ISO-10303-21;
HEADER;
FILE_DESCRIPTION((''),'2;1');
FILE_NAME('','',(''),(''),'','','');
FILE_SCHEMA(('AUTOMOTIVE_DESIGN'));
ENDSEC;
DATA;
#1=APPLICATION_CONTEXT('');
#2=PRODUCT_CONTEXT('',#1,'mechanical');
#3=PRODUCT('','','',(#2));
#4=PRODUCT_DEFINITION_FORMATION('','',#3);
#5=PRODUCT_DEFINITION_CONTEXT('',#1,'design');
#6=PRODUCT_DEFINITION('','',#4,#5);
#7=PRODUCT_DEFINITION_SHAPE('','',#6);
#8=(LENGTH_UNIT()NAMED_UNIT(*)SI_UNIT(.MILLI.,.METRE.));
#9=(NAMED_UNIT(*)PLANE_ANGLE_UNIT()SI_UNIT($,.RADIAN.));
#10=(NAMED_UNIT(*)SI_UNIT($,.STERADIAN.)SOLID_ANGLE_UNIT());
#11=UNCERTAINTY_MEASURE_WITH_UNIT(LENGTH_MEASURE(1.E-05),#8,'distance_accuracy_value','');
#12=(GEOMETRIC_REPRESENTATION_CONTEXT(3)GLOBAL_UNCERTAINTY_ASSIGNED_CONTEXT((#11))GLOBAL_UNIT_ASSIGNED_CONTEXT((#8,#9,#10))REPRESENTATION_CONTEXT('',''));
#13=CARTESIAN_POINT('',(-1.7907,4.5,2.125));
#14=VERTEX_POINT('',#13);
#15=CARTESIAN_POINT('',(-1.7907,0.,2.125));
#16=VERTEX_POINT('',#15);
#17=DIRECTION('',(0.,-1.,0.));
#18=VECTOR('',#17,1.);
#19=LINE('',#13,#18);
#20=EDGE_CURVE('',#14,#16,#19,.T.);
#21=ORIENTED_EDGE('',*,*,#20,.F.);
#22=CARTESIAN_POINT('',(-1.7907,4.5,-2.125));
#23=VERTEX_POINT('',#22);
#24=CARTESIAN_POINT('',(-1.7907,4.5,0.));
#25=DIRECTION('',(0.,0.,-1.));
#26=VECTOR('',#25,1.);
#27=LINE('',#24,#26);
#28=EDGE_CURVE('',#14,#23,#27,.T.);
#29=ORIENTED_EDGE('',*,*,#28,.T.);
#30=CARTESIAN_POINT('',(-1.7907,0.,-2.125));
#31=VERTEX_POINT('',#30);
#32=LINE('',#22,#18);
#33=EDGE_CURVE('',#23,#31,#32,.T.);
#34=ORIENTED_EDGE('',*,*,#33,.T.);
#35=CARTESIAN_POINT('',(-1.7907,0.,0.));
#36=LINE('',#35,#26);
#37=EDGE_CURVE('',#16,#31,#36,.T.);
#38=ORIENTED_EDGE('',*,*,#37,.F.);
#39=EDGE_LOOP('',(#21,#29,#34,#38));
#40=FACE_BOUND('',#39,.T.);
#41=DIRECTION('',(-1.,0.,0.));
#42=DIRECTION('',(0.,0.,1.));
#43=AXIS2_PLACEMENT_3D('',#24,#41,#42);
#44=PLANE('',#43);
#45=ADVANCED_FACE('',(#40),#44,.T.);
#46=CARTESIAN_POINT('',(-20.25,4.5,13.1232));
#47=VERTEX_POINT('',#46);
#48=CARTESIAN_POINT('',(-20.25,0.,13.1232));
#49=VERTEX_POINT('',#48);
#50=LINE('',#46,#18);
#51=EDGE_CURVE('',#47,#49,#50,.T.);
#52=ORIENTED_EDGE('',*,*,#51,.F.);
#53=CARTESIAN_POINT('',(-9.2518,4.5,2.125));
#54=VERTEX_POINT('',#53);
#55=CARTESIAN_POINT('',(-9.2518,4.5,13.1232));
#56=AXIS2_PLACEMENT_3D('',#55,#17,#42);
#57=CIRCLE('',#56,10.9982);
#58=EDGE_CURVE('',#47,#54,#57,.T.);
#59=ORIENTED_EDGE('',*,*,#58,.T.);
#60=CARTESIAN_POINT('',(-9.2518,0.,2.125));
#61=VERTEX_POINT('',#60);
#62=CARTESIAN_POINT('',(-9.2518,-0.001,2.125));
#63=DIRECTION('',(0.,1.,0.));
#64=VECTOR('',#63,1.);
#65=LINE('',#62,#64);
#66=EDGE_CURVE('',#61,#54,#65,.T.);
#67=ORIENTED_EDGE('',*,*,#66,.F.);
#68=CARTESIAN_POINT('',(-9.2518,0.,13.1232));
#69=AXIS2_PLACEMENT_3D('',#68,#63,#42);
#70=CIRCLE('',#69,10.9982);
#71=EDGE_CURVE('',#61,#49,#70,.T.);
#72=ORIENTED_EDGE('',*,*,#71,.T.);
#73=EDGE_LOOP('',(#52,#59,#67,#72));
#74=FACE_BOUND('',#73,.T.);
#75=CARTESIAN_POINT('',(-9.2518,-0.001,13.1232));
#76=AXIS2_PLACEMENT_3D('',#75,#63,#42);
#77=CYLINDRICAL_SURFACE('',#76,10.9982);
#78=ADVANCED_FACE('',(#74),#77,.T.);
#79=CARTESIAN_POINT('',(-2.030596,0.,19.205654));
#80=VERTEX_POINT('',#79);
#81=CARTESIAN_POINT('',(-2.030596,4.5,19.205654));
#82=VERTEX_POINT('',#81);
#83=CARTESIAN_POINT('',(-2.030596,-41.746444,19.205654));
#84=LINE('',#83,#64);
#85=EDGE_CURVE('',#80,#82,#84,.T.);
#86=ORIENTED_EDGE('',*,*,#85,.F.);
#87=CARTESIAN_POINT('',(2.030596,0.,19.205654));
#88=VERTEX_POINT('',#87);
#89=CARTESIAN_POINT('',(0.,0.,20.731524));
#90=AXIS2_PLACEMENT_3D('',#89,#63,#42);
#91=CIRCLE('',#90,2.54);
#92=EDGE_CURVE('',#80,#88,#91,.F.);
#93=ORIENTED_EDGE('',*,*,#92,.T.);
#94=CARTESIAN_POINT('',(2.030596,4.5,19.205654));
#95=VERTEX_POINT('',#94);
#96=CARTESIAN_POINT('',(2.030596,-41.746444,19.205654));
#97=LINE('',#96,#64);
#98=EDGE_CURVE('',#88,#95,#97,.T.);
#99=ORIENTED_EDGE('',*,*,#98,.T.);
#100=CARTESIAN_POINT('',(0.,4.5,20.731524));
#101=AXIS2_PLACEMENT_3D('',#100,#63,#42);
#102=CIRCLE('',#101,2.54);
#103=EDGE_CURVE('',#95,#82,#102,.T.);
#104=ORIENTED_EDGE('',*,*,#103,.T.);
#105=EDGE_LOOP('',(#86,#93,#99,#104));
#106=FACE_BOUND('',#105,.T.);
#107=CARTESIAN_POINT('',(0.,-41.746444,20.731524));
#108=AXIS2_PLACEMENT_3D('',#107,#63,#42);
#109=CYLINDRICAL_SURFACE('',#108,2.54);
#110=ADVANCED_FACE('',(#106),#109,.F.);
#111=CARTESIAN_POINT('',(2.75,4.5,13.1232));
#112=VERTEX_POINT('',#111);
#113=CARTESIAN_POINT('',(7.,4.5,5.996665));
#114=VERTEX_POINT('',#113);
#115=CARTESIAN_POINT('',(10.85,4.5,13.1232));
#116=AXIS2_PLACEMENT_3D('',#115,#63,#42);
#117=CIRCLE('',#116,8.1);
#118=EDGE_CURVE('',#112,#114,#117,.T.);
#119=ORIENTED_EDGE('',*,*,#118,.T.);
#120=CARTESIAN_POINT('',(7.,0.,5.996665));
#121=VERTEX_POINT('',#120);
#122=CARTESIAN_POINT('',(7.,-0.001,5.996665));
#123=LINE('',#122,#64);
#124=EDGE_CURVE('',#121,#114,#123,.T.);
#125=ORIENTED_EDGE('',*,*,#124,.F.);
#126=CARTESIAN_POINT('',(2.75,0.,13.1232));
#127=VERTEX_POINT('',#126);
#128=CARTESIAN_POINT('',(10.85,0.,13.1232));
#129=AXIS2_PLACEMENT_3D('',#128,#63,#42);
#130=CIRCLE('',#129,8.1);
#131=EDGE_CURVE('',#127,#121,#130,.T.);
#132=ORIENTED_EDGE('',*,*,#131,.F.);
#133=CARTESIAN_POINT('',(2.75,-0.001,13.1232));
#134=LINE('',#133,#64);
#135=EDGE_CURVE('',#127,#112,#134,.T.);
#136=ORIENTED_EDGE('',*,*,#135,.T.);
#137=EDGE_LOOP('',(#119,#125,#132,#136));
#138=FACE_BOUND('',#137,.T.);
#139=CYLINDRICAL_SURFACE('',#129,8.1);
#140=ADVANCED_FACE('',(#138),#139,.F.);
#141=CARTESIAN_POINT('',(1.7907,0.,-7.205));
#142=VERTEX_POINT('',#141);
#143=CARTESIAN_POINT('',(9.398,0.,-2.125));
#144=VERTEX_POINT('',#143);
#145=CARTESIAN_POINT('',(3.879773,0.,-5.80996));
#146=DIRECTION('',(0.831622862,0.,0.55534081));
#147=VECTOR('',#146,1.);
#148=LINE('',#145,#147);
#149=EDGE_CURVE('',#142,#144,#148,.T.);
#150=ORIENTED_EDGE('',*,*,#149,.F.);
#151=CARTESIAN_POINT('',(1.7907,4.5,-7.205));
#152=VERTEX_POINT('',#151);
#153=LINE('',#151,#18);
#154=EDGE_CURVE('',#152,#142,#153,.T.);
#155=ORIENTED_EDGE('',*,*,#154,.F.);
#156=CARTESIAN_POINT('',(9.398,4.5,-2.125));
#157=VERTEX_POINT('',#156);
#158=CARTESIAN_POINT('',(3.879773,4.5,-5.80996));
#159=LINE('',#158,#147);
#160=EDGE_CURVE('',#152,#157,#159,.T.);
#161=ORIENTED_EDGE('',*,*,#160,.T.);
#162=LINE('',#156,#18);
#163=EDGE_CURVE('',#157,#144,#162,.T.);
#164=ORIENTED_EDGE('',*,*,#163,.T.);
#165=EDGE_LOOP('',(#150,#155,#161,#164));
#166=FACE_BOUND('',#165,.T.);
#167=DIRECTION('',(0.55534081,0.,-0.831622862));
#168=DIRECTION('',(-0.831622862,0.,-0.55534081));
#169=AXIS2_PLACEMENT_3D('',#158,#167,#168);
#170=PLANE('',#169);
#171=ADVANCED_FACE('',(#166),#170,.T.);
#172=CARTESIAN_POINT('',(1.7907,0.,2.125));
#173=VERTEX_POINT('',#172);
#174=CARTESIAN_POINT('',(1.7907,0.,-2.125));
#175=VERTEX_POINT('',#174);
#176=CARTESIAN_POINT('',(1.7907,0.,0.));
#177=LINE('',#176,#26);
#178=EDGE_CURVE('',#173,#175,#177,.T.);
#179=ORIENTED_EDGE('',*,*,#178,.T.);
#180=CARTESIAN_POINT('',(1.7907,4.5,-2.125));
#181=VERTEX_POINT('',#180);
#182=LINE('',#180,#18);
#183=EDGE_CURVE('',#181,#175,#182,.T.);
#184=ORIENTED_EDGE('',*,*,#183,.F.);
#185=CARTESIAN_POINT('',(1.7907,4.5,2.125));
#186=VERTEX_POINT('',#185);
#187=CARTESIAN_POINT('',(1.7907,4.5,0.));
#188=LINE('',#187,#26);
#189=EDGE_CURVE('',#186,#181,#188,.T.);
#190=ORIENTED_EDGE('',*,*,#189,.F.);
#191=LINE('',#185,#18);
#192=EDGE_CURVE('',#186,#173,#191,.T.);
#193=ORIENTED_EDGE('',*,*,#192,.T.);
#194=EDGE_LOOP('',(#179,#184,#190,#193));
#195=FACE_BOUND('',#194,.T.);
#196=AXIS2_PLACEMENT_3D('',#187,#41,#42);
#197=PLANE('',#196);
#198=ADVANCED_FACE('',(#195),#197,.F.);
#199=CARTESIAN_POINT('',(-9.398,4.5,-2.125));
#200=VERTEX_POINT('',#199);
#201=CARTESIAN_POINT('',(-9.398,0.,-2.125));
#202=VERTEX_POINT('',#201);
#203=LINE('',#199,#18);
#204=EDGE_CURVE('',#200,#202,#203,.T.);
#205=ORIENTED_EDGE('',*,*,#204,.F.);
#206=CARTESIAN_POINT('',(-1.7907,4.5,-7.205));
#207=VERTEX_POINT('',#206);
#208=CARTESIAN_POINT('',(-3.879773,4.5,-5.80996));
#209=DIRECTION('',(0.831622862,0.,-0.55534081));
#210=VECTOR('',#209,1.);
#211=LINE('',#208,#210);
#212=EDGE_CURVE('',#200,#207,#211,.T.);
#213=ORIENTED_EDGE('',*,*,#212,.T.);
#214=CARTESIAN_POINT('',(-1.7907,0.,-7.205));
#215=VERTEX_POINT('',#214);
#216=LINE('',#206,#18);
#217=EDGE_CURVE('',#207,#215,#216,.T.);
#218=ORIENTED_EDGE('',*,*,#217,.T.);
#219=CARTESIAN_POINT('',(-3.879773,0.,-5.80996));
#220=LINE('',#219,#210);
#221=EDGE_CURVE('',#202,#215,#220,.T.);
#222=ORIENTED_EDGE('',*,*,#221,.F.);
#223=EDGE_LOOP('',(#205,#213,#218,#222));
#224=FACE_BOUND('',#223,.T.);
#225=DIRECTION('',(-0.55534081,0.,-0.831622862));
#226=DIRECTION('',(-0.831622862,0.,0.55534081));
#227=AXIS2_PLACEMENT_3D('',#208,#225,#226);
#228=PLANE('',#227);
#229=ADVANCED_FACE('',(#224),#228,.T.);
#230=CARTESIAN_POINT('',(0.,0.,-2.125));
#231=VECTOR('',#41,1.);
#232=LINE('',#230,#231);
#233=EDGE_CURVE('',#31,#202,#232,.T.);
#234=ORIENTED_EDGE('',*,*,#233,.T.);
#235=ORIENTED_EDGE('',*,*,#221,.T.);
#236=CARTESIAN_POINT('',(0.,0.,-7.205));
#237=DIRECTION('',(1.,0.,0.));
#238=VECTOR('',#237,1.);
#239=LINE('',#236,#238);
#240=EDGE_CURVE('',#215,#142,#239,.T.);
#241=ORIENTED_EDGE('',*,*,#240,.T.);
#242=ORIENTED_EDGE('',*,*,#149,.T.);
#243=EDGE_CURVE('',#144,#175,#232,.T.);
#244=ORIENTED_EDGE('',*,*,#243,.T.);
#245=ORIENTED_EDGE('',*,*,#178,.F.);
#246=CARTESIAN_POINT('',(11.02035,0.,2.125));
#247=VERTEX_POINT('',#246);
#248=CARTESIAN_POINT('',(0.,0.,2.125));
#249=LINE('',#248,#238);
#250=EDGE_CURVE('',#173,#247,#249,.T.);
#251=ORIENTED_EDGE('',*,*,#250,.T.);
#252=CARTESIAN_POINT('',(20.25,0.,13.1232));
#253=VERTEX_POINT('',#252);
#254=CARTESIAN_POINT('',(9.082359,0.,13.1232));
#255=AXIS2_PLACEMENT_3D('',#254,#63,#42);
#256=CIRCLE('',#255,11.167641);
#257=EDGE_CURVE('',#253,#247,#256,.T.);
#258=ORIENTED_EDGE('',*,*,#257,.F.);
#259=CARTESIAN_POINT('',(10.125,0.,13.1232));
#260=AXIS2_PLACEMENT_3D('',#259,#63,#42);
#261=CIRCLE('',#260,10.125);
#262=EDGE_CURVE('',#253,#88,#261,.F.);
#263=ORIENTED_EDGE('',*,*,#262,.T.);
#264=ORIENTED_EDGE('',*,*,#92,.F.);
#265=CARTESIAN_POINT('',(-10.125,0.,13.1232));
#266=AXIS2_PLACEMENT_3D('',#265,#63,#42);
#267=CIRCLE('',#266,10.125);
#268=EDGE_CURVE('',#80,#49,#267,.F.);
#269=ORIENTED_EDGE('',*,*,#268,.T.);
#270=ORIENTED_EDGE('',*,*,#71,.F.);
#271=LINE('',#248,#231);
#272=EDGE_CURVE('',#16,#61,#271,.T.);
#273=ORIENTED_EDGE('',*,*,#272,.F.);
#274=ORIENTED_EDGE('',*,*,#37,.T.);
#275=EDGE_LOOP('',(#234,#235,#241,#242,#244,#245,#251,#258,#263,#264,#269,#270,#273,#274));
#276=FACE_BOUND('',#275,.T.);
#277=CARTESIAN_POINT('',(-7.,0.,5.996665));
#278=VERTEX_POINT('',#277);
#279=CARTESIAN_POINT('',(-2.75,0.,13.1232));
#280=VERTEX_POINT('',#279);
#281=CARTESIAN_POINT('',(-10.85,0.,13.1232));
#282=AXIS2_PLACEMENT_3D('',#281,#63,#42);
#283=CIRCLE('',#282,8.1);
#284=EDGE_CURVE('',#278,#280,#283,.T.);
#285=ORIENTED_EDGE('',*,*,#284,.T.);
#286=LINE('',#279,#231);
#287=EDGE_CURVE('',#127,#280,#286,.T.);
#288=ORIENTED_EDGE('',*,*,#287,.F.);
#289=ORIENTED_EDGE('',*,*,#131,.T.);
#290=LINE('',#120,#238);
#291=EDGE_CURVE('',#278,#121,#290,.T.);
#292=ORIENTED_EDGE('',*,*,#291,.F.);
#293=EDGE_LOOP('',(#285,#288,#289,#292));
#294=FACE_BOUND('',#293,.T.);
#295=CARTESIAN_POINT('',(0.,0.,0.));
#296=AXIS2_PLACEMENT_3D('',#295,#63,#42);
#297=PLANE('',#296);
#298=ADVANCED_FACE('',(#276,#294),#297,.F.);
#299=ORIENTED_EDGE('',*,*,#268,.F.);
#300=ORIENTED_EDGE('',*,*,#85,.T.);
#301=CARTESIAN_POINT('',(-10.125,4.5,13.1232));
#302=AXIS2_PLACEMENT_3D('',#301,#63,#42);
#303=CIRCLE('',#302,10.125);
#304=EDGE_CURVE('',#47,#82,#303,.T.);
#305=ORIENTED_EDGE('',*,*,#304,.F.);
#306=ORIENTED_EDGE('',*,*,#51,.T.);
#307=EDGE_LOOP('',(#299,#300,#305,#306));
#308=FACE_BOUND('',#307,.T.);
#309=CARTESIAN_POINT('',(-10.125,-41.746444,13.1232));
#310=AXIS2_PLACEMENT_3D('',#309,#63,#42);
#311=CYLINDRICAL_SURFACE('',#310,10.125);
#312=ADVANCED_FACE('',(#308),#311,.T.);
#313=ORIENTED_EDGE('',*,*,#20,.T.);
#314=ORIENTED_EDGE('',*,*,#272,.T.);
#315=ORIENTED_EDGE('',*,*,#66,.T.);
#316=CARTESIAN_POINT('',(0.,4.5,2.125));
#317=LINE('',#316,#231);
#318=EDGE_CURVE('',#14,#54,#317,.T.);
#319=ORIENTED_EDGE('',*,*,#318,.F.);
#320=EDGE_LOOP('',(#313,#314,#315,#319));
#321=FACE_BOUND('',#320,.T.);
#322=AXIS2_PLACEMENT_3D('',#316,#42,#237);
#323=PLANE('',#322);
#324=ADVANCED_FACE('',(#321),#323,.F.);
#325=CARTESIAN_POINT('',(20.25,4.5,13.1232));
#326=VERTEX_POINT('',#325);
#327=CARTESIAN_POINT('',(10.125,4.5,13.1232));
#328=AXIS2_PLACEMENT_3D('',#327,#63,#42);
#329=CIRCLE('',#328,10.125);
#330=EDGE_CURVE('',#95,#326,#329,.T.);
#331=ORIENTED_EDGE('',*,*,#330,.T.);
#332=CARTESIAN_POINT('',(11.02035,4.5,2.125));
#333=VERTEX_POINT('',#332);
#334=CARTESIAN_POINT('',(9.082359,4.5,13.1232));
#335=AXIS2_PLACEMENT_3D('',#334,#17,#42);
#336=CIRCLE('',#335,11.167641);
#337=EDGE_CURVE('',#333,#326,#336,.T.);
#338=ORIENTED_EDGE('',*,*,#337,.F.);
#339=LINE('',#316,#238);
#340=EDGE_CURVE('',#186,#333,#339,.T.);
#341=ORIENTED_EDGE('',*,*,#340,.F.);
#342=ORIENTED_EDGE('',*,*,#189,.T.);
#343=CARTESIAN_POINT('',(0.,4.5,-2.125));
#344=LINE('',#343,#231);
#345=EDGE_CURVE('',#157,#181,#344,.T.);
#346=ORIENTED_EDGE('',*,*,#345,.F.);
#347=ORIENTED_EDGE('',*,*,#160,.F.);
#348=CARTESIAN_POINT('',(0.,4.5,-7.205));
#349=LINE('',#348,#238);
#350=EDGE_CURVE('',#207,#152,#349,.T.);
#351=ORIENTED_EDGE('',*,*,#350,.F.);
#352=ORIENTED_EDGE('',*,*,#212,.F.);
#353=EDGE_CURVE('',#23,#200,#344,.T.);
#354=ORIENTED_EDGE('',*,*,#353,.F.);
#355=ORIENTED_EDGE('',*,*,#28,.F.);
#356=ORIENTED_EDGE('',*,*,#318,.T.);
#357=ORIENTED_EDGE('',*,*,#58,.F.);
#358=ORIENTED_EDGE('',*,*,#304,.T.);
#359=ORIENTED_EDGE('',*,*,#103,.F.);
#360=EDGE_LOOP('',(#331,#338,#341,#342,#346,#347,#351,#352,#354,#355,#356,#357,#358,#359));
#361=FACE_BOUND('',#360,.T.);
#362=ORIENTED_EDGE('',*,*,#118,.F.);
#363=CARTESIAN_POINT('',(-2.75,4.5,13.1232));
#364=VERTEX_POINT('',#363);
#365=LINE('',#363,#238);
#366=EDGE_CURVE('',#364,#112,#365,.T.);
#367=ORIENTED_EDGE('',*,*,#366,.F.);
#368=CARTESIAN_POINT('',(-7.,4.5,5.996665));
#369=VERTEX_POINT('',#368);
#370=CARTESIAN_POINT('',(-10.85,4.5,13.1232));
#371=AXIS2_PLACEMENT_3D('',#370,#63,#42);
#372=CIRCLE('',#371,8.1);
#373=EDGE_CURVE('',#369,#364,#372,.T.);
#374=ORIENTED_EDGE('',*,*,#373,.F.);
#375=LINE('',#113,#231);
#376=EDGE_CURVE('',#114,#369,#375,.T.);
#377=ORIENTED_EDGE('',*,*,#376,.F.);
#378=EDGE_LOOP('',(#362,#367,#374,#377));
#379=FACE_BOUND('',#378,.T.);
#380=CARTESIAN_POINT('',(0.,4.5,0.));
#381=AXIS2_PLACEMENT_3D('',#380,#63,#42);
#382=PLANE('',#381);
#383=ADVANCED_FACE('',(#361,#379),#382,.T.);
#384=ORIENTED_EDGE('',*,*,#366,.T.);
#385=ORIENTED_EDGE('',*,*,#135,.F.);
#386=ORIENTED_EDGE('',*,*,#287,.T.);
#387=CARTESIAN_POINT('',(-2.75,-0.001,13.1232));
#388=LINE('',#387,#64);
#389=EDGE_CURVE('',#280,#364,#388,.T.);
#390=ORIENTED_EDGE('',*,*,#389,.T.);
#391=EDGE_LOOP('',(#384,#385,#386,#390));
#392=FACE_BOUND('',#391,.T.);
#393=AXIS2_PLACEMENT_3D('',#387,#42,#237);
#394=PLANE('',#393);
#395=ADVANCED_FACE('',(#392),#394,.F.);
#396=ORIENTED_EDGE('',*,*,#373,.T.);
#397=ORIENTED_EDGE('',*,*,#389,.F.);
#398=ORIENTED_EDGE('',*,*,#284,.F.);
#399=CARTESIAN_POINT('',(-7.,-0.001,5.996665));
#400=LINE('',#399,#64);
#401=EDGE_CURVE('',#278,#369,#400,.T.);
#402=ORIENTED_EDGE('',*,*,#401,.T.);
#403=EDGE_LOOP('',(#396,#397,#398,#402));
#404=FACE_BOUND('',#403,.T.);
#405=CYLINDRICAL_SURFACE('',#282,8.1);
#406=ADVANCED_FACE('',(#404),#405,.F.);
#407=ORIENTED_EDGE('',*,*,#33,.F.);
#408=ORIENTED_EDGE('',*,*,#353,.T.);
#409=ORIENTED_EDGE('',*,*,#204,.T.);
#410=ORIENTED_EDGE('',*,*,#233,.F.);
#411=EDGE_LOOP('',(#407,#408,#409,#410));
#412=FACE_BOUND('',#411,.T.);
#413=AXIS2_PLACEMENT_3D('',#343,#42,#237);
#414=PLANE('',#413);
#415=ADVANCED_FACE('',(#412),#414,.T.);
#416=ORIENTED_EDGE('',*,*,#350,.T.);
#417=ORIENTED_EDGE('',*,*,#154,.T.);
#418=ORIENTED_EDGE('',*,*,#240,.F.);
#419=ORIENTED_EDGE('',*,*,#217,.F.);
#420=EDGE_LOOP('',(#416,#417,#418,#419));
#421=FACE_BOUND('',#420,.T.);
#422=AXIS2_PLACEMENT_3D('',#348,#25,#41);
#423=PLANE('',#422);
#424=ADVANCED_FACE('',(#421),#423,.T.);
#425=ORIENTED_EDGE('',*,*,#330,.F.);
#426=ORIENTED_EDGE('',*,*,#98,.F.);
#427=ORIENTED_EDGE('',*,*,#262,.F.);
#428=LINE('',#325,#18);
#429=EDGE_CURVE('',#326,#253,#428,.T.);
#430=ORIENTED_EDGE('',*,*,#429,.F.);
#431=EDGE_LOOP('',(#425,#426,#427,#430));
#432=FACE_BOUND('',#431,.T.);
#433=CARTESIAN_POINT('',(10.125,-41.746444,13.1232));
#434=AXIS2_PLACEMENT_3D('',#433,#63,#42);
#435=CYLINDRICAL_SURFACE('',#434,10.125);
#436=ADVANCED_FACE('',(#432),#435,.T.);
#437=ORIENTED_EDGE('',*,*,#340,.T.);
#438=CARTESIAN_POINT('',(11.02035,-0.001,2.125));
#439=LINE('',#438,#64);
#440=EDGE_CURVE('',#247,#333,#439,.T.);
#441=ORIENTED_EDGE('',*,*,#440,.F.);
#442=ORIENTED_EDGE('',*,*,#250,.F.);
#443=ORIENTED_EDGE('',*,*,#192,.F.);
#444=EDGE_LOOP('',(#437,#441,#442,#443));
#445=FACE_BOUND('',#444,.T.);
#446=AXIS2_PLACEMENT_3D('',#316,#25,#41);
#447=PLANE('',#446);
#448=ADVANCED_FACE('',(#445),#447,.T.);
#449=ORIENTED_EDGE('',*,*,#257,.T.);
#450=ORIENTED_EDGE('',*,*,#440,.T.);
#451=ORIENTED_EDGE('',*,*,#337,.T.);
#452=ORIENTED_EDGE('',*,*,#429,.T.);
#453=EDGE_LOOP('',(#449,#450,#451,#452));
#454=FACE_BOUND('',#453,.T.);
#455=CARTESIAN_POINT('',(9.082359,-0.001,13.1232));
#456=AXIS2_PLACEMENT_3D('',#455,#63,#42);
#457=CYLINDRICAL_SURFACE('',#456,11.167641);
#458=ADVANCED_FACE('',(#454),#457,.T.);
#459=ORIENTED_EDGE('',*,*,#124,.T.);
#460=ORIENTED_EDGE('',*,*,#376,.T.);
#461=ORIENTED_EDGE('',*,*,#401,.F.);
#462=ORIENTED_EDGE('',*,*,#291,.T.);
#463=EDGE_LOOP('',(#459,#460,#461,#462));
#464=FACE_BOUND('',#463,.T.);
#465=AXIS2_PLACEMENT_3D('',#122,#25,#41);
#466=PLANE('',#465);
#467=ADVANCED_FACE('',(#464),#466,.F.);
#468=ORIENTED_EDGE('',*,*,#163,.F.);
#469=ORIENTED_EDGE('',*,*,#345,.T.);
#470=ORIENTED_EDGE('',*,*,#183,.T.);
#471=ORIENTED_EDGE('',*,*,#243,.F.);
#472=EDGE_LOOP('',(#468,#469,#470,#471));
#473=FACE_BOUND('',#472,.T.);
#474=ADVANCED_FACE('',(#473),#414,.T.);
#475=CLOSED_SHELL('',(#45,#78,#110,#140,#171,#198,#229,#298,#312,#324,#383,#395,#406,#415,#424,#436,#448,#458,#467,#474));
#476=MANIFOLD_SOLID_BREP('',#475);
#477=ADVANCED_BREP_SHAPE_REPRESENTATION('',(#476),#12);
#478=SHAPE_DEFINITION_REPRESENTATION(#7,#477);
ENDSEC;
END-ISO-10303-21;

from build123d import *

# Parameters (mm, degrees)
BOSS_EXTRUDE1_DEPTH = 4.5
BOSS_EXTRUDE2_DEPTH = 4.5
SKETCH4_R           = 8.1
CUT_EXTRUDE2_DEPTH  = 32.157524023
CUT_EXTRUDE4_REACH  = 33.158
CUT_EXTRUDE5_REACH  = 33.158


with BuildPart() as part:
    # Sketch1 → Boss-Extrude1 (new body)
    with BuildSketch(Plane(origin=(0, 0, 0), x_dir=(1, 0, 0), z_dir=(0, 1, 0))):
        Polygon((-20.25, -13.1232), (20.25, -13.1232), (20.25, -2.125), (1.7907, -2.125), (1.7907, 2.125), (9.398, 2.125), (1.7907, 7.205), (-1.7907, 7.205), (-9.398, 2.125), (-1.7907, 2.125), (-1.7907, -2.125), (-20.25, -2.125), align=None)
    extrude(amount=BOSS_EXTRUDE1_DEPTH)

    # Sketch3 → Boss-Extrude2 (add)
    with BuildSketch(Plane(origin=(0, 4.5, 0), x_dir=(1, 0, 0), z_dir=(0, 1, 0))):
        Polygon((-20.25, -2.125), (-20.25, -13.1232), (20.25, -13.1232), (20.25, -2.125), (1.7907, -2.125), (1.7907, 2.125), (9.398, 2.125), (1.7907, 7.205), (-1.7907, 7.205), (-9.398, 2.125), (-1.7907, 2.125), (-1.7907, -2.125), align=None)
        with BuildLine():
            Line((20.25, -13.1232), (-20.25, -13.1232))
            ThreePointArc((-20.25, -13.1232), (-13.331227209, -22.72714357), (-2.030596131, -19.205654357))
            ThreePointArc((-2.030596131, -19.205654357), (0, -18.191524388), (2.030596131, -19.205654357))
            ThreePointArc((2.030596131, -19.205654357), (13.331227209, -22.72714357), (20.25, -13.1232))
        make_face()
    extrude(amount=-BOSS_EXTRUDE2_DEPTH)

    # Sketch4 → Cut-Extrude2 (cut, through all)
    with BuildSketch(Plane(origin=(0, 4.5, 0), x_dir=(1, 0, 0), z_dir=(0, 1, 0))):
        with Locations(Location((-10.85, -13.1232, 0), (0, 0, 270))):
            Circle(SKETCH4_R)
        with Locations(Location((10.85, -13.1232, 0), (0, 0, 270))):
            Circle(SKETCH4_R)
    extrude(amount=-CUT_EXTRUDE2_DEPTH, mode=Mode.SUBTRACT)

    # Sketch5 → Cut-Extrude4 (cut, up to next)
    with BuildSketch(Plane(origin=(0, 4.5, 0), x_dir=(1, 0, 0), z_dir=(0, 1, 0)), mode=Mode.PRIVATE) as cut_extrude4_sk1:
        with BuildLine():
            Line((7, -5.996665078), (-7, -5.996665078))
            ThreePointArc((-7, -5.996665078), (-3.893168825, -8.974404994), (-2.75, -13.1232))
            Line((-2.75, -13.1232), (2.75, -13.1232))
            ThreePointArc((2.75, -13.1232), (3.893168825, -8.974404994), (7, -5.996665078))
        make_face()
    cut_extrude4_tool1 = extrude(cut_extrude4_sk1.sketch, amount=-CUT_EXTRUDE4_REACH, mode=Mode.PRIVATE) & part.part
    add(cut_extrude4_tool1.solids().sort_by_distance((0, 4.5, 8.978273))[0], mode=Mode.SUBTRACT)

    # Sketch6 → Cut-Extrude5 (cut, up to next)
    with BuildSketch(Plane(origin=(0, 4.5, 0), x_dir=(1, 0, 0), z_dir=(0, 1, 0)), mode=Mode.PRIVATE) as cut_extrude5_sk1:
        with BuildLine():
            Line((-9.2518, -2.125), (-20.25, -2.125))
            Line((-20.25, -2.125), (-20.25, -13.1232))
            ThreePointArc((-20.25, -13.1232), (-17.028701801, -5.346298199), (-9.2518, -2.125))
        make_face()
    cut_extrude5_tool1 = extrude(cut_extrude5_sk1.sketch, amount=-CUT_EXTRUDE5_REACH, mode=Mode.PRIVATE) & part.part
    # Sketch6 → Cut-Extrude5 (cut, up to next)
    with BuildSketch(Plane(origin=(0, 4.5, 0), x_dir=(1, 0, 0), z_dir=(0, 1, 0)), mode=Mode.PRIVATE) as cut_extrude5_sk2:
        with BuildLine():
            Line((20.25, -13.1232), (20.25, -2.125))
            Line((20.25, -2.125), (11.02035, -2.125))
            ThreePointArc((11.02035, -2.125), (17.636860555, -5.94429266), (20.25, -13.1232))
        make_face()
    cut_extrude5_tool2 = extrude(cut_extrude5_sk2.sketch, amount=-CUT_EXTRUDE5_REACH, mode=Mode.PRIVATE) & part.part
    add(cut_extrude5_tool1.solids().sort_by_distance((-17.793355, 4.5, 4.581645))[0], mode=Mode.SUBTRACT)
    add(cut_extrude5_tool2.solids().sort_by_distance((17.919058, 4.5, 4.610875))[0], mode=Mode.SUBTRACT)


solid = part.part
